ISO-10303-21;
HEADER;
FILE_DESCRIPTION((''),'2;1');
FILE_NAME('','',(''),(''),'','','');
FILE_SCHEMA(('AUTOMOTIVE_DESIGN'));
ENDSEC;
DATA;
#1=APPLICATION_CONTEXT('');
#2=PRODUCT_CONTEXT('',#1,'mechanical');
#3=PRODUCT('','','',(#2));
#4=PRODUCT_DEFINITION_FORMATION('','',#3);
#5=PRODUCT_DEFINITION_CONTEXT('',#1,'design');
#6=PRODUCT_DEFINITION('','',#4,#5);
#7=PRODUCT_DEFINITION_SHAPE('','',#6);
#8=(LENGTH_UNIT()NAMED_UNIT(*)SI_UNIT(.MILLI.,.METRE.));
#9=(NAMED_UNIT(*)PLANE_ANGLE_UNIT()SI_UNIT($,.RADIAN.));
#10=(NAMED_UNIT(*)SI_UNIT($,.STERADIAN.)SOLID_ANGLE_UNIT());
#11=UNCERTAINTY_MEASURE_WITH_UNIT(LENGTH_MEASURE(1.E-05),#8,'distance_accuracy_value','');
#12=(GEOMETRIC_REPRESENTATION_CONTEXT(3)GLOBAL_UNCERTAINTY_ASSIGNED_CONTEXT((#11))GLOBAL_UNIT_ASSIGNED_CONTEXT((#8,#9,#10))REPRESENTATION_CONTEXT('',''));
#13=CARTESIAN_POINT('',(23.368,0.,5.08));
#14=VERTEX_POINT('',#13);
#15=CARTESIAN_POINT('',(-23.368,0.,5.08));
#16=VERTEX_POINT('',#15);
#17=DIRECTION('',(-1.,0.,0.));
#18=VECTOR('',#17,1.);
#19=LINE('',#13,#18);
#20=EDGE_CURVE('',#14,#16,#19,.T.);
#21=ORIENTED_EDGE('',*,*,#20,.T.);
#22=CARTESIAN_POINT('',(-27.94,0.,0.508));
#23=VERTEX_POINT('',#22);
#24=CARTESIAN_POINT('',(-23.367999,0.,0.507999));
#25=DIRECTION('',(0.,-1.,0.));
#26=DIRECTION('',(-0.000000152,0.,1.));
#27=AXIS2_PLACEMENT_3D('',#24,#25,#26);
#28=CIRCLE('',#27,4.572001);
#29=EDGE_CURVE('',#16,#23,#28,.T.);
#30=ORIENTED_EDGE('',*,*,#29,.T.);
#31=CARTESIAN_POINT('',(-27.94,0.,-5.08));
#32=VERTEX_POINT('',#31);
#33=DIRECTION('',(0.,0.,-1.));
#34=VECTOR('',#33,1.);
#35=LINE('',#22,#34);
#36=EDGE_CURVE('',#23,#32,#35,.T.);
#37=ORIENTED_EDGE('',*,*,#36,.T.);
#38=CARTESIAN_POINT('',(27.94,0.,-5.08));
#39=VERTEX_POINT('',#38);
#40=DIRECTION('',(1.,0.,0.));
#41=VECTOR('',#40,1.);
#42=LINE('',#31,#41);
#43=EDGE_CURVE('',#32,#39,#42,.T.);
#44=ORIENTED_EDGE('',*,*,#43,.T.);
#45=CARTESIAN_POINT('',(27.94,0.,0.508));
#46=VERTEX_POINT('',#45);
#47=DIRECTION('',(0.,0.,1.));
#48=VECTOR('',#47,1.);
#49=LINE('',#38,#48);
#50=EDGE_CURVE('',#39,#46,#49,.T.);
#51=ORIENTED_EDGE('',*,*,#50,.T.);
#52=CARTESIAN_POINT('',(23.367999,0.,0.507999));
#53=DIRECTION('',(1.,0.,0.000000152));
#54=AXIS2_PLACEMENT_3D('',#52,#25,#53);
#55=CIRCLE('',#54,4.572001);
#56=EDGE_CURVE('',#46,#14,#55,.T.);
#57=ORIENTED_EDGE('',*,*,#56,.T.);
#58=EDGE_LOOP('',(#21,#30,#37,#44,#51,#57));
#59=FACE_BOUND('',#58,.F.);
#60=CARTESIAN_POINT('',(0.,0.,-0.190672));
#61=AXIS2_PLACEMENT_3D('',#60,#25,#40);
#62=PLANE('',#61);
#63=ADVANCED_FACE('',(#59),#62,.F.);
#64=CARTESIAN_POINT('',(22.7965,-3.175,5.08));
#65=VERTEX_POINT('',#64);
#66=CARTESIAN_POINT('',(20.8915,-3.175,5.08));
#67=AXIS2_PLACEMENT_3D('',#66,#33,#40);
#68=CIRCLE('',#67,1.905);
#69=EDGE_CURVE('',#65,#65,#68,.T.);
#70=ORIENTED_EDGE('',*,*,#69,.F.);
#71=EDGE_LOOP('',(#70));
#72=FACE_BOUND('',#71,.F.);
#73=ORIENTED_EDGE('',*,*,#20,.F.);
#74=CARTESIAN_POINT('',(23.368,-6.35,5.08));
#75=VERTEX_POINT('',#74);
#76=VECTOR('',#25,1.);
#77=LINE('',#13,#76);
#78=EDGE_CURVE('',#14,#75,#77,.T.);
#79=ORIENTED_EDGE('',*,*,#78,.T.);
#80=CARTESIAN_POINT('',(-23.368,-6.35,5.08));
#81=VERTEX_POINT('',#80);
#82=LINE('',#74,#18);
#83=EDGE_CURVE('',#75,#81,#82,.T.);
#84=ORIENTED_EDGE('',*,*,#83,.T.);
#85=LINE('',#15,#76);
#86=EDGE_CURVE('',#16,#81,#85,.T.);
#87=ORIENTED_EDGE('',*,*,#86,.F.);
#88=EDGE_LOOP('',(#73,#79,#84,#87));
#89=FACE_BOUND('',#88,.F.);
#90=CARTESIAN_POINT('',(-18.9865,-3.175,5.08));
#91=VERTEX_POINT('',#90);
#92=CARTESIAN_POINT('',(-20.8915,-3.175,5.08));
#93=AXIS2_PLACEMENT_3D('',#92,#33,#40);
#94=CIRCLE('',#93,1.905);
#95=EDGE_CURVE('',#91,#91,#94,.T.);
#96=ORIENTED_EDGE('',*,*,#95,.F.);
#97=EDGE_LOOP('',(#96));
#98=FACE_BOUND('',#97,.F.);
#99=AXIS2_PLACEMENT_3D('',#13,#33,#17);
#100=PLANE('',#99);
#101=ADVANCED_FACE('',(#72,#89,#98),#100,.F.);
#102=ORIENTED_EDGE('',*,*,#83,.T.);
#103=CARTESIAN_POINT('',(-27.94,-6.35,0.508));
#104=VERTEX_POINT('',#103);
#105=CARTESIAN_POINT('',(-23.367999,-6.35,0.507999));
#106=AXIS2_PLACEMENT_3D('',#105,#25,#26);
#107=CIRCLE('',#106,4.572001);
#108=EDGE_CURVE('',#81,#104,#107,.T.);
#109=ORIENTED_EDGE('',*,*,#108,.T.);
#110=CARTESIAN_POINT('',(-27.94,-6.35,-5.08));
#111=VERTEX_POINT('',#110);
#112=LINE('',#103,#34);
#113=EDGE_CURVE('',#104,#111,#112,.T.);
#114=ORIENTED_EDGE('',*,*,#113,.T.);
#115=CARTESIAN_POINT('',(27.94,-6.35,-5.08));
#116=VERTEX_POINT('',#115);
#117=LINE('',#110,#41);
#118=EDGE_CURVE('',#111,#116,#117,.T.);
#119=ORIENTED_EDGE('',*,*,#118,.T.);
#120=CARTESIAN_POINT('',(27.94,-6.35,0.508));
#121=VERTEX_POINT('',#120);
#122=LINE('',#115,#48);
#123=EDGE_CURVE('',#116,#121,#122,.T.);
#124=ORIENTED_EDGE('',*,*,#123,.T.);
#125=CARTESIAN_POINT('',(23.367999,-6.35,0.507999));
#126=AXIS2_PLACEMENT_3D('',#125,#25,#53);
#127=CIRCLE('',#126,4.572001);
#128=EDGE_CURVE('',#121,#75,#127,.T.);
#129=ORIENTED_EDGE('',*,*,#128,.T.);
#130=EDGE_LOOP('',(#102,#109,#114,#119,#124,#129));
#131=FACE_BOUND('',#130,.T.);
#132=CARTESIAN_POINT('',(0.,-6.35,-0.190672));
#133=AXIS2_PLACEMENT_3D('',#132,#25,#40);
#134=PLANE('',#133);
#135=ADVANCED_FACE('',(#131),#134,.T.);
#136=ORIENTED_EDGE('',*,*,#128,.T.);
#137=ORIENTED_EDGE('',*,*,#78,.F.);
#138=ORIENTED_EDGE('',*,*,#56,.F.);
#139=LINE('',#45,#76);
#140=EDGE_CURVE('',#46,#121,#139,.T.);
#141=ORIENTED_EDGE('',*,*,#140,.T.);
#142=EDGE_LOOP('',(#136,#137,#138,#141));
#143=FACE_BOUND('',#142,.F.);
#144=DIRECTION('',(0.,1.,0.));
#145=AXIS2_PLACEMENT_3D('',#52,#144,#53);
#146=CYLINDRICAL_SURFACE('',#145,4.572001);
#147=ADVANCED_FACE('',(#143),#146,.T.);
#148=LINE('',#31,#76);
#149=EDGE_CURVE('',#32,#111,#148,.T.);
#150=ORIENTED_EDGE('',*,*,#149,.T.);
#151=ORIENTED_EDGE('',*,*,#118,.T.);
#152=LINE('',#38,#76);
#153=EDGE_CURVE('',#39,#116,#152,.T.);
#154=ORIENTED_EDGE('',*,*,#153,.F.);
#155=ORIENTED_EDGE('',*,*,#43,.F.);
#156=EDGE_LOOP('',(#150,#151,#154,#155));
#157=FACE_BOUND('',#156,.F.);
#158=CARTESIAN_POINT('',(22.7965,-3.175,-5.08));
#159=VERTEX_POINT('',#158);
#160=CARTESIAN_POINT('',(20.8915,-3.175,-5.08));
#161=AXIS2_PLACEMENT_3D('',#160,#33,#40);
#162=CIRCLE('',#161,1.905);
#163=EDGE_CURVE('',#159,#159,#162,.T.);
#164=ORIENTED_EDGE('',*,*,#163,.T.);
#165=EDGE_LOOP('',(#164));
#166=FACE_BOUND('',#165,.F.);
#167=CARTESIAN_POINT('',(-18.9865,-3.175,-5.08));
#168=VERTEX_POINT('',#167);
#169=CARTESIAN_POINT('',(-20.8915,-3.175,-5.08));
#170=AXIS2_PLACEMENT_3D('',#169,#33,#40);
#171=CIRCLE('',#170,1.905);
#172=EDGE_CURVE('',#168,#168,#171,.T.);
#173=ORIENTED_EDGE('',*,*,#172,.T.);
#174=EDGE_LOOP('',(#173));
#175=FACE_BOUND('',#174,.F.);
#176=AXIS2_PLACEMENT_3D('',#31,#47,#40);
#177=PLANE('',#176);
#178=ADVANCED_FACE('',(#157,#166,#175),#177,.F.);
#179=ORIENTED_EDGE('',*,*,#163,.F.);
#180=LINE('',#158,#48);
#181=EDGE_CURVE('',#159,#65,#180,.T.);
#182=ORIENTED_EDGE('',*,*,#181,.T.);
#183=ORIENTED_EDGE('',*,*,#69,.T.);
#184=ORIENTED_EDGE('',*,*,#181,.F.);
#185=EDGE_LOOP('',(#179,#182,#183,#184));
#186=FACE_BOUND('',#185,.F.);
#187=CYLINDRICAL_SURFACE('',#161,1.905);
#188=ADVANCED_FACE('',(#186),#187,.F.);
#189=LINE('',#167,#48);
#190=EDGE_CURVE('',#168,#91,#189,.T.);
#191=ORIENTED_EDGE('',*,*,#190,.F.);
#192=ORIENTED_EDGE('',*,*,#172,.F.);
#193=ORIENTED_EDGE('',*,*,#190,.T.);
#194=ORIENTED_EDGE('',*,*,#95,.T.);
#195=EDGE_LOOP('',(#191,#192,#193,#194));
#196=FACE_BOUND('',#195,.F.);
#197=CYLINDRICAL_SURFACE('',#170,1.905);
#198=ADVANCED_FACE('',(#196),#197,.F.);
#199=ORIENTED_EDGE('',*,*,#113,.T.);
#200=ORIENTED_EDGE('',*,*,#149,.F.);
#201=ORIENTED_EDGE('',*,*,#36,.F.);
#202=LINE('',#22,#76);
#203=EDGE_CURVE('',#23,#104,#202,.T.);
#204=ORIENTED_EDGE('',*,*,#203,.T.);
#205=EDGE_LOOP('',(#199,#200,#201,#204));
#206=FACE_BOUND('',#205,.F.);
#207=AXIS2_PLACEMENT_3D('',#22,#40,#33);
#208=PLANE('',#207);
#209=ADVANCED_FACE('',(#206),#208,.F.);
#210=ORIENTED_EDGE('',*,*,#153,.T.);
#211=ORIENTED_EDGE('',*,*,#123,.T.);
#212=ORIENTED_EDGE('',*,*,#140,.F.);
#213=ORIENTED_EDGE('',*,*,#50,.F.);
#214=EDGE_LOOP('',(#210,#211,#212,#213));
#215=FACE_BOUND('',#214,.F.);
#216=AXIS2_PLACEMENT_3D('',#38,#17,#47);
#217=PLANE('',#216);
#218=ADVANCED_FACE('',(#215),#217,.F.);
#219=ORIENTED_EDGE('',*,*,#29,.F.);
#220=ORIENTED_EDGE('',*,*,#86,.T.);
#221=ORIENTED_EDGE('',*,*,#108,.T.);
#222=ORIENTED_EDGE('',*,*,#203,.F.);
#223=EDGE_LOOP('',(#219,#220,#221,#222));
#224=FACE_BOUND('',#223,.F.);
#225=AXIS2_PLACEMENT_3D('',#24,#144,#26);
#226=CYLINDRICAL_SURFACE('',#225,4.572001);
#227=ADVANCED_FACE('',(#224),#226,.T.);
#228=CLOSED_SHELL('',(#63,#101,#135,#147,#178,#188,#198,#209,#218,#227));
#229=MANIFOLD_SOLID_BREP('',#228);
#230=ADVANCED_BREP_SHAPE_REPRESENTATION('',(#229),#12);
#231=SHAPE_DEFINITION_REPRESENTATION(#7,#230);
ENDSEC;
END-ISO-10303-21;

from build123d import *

# Parameters (mm, degrees)
F1_DEPTH = 6.35
F2_R     = 1.905
F3_DEPTH = 25.4


with BuildPart() as f1:
    # F0 (on Front) → F1 (new body)
    with BuildSketch(Plane.XZ):
        with BuildLine():
            ThreePointArc((27.94, 0.508), (26.600892, 3.740892), (23.368, 5.08))
            Line((23.368, 5.08), (-23.368, 5.08))
            ThreePointArc((-23.368, 5.08), (-26.600892, 3.740892), (-27.94, 0.508))
            Line((-27.94, 0.508), (-27.94, -5.08))
            Line((-27.94, -5.08), (27.94, -5.08))
            Line((27.94, -5.08), (27.94, 0.508))
        make_face()
    extrude(amount=F1_DEPTH)

    # F2 (on face) → F3 (cut)
    with BuildSketch(Plane(origin=(0, 0, -5.08), x_dir=(1, 0, 0), z_dir=(0, 0, -1))):
        with Locations((20.8915, 3.175)):
            Circle(F2_R)
        with Locations((-20.8915, 3.175)):
            Circle(F2_R)
    extrude(amount=-F3_DEPTH, mode=Mode.SUBTRACT)


solid = f1.part
